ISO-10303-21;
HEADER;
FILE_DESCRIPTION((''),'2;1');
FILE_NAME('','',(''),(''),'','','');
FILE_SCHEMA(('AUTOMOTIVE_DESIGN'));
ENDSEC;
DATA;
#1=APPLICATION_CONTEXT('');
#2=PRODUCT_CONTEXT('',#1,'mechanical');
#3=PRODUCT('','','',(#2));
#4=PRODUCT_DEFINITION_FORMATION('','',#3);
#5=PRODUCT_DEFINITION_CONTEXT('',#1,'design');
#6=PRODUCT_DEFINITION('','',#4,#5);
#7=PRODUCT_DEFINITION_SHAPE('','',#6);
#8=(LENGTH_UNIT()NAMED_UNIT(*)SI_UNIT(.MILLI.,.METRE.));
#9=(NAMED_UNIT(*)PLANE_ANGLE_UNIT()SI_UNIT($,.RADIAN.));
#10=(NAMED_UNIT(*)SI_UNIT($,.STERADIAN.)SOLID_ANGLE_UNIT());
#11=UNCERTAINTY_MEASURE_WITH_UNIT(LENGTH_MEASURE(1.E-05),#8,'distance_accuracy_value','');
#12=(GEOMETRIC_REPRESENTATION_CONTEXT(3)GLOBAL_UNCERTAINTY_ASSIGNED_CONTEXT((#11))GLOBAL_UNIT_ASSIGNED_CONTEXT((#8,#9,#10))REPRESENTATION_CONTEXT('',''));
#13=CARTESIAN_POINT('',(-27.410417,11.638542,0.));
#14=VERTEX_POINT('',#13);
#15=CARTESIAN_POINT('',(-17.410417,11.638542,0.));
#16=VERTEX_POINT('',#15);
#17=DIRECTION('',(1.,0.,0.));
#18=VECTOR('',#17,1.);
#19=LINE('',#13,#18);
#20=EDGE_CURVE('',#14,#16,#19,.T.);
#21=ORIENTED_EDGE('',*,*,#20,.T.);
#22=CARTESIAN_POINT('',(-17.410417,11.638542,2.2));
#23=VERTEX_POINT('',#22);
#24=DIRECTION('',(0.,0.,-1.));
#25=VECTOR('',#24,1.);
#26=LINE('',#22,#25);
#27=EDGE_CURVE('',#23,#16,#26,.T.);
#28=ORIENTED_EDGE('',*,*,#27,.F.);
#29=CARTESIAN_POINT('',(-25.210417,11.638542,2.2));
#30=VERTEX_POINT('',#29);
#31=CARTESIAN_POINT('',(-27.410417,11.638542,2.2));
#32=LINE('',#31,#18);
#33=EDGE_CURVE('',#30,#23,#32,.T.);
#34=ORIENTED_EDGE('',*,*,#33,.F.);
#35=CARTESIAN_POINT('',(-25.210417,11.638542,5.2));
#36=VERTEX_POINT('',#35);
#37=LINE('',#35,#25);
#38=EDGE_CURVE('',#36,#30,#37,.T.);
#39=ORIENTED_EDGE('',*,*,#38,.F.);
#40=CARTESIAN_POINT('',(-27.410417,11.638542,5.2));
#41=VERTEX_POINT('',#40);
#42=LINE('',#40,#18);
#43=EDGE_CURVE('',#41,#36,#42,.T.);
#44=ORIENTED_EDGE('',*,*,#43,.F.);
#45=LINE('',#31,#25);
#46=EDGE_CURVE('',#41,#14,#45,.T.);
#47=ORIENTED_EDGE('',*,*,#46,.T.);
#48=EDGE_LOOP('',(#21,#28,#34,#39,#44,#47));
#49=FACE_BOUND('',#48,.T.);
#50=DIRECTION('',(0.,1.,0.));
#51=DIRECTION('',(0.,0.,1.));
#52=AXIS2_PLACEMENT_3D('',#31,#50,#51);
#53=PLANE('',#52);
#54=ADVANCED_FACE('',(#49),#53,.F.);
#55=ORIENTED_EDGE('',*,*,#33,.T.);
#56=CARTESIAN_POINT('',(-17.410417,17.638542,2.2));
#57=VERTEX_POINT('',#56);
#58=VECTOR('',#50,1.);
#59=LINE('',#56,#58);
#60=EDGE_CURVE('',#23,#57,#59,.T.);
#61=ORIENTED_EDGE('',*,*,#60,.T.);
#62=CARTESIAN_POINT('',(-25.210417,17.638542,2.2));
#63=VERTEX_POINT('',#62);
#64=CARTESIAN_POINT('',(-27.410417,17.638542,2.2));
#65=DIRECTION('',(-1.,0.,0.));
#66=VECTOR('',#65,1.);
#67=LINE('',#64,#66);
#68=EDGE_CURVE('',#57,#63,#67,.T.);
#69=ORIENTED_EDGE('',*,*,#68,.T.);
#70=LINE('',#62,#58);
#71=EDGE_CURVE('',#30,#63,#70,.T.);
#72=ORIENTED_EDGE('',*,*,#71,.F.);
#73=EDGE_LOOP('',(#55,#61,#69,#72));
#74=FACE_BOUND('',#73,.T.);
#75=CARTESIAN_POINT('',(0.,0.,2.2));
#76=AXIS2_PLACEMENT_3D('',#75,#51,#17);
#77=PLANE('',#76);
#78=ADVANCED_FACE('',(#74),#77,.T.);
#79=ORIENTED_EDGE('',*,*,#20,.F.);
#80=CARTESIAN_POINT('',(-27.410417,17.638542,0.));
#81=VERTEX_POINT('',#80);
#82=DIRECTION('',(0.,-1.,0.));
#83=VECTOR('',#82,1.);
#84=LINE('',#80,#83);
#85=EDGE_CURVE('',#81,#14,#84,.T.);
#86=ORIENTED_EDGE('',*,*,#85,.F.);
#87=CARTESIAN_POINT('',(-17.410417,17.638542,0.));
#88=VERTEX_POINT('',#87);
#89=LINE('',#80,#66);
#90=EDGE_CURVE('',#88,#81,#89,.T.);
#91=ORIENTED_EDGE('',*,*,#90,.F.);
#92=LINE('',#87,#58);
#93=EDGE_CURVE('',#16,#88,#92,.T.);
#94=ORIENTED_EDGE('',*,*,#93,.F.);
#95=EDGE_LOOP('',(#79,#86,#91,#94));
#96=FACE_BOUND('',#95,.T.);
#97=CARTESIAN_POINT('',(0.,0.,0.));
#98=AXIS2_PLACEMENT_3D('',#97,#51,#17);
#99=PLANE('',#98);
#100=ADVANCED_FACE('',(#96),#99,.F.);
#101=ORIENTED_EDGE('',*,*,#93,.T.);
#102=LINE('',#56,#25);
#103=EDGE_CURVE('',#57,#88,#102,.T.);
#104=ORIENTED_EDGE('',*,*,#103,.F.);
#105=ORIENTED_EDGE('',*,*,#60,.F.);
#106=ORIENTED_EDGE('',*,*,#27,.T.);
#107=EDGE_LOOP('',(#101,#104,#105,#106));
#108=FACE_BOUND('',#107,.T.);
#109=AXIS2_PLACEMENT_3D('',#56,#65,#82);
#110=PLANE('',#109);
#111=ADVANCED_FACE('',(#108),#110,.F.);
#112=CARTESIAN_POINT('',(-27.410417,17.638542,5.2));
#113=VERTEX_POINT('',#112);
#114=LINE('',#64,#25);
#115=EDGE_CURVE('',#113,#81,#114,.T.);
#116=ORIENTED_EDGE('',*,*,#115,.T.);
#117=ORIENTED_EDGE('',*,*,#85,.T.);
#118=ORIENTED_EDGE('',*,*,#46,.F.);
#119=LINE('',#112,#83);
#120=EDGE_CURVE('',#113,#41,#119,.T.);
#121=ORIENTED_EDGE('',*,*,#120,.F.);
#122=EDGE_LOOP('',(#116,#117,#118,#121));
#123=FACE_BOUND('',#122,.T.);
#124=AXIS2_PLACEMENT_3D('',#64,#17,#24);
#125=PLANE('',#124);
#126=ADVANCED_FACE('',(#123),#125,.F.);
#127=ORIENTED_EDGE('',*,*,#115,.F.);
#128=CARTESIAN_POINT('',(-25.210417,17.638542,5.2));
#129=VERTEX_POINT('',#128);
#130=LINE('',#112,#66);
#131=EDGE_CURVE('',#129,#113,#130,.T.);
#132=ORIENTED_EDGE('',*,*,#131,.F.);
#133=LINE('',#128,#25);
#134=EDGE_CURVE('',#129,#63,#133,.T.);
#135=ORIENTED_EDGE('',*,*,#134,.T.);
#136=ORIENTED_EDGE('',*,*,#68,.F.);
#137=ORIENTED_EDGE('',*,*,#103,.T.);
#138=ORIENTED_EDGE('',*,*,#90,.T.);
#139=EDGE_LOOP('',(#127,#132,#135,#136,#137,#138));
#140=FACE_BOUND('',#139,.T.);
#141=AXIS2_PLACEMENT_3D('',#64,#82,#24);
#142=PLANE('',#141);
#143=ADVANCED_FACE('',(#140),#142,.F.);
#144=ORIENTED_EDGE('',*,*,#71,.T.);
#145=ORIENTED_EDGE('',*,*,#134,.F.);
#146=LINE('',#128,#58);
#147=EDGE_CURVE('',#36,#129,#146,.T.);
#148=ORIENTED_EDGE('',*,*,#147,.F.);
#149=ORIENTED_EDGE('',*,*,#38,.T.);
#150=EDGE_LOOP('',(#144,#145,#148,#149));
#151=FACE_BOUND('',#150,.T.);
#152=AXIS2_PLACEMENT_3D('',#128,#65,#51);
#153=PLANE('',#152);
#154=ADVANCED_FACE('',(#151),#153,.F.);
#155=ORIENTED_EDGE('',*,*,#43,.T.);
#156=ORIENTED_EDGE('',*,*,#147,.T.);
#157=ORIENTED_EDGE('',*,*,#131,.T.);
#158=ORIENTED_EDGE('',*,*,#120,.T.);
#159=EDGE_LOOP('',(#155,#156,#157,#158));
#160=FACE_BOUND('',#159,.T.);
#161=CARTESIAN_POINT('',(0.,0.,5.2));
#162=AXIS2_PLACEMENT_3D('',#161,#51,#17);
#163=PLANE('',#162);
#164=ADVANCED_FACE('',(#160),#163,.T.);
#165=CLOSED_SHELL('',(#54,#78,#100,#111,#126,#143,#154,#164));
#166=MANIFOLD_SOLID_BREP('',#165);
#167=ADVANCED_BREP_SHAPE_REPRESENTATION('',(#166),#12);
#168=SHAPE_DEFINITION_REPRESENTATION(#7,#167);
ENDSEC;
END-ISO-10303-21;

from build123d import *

# Parameters (mm, degrees)
SKETCH1_W           = 10
SKETCH1_H           = 6
BOSS_EXTRUDE1_DEPTH = 2.2
SKETCH2_W           = 2.2
SKETCH2_H           = 6
BOSS_EXTRUDE2_DEPTH = 3


with BuildPart() as part:
    # Sketch1 → Boss-Extrude1 (new body)
    with BuildSketch(Plane.XY):
        with Locations((-22.410416667, 14.638541667)):
            Rectangle(SKETCH1_W, SKETCH1_H)
    extrude(amount=BOSS_EXTRUDE1_DEPTH)

    # Sketch2 → Boss-Extrude2 (add)
    with BuildSketch(Plane.XY.offset(2.2)):
        with Locations((-26.310416667, 14.638541667)):
            Rectangle(SKETCH2_W, SKETCH2_H)
    extrude(amount=BOSS_EXTRUDE2_DEPTH)


solid = part.part
